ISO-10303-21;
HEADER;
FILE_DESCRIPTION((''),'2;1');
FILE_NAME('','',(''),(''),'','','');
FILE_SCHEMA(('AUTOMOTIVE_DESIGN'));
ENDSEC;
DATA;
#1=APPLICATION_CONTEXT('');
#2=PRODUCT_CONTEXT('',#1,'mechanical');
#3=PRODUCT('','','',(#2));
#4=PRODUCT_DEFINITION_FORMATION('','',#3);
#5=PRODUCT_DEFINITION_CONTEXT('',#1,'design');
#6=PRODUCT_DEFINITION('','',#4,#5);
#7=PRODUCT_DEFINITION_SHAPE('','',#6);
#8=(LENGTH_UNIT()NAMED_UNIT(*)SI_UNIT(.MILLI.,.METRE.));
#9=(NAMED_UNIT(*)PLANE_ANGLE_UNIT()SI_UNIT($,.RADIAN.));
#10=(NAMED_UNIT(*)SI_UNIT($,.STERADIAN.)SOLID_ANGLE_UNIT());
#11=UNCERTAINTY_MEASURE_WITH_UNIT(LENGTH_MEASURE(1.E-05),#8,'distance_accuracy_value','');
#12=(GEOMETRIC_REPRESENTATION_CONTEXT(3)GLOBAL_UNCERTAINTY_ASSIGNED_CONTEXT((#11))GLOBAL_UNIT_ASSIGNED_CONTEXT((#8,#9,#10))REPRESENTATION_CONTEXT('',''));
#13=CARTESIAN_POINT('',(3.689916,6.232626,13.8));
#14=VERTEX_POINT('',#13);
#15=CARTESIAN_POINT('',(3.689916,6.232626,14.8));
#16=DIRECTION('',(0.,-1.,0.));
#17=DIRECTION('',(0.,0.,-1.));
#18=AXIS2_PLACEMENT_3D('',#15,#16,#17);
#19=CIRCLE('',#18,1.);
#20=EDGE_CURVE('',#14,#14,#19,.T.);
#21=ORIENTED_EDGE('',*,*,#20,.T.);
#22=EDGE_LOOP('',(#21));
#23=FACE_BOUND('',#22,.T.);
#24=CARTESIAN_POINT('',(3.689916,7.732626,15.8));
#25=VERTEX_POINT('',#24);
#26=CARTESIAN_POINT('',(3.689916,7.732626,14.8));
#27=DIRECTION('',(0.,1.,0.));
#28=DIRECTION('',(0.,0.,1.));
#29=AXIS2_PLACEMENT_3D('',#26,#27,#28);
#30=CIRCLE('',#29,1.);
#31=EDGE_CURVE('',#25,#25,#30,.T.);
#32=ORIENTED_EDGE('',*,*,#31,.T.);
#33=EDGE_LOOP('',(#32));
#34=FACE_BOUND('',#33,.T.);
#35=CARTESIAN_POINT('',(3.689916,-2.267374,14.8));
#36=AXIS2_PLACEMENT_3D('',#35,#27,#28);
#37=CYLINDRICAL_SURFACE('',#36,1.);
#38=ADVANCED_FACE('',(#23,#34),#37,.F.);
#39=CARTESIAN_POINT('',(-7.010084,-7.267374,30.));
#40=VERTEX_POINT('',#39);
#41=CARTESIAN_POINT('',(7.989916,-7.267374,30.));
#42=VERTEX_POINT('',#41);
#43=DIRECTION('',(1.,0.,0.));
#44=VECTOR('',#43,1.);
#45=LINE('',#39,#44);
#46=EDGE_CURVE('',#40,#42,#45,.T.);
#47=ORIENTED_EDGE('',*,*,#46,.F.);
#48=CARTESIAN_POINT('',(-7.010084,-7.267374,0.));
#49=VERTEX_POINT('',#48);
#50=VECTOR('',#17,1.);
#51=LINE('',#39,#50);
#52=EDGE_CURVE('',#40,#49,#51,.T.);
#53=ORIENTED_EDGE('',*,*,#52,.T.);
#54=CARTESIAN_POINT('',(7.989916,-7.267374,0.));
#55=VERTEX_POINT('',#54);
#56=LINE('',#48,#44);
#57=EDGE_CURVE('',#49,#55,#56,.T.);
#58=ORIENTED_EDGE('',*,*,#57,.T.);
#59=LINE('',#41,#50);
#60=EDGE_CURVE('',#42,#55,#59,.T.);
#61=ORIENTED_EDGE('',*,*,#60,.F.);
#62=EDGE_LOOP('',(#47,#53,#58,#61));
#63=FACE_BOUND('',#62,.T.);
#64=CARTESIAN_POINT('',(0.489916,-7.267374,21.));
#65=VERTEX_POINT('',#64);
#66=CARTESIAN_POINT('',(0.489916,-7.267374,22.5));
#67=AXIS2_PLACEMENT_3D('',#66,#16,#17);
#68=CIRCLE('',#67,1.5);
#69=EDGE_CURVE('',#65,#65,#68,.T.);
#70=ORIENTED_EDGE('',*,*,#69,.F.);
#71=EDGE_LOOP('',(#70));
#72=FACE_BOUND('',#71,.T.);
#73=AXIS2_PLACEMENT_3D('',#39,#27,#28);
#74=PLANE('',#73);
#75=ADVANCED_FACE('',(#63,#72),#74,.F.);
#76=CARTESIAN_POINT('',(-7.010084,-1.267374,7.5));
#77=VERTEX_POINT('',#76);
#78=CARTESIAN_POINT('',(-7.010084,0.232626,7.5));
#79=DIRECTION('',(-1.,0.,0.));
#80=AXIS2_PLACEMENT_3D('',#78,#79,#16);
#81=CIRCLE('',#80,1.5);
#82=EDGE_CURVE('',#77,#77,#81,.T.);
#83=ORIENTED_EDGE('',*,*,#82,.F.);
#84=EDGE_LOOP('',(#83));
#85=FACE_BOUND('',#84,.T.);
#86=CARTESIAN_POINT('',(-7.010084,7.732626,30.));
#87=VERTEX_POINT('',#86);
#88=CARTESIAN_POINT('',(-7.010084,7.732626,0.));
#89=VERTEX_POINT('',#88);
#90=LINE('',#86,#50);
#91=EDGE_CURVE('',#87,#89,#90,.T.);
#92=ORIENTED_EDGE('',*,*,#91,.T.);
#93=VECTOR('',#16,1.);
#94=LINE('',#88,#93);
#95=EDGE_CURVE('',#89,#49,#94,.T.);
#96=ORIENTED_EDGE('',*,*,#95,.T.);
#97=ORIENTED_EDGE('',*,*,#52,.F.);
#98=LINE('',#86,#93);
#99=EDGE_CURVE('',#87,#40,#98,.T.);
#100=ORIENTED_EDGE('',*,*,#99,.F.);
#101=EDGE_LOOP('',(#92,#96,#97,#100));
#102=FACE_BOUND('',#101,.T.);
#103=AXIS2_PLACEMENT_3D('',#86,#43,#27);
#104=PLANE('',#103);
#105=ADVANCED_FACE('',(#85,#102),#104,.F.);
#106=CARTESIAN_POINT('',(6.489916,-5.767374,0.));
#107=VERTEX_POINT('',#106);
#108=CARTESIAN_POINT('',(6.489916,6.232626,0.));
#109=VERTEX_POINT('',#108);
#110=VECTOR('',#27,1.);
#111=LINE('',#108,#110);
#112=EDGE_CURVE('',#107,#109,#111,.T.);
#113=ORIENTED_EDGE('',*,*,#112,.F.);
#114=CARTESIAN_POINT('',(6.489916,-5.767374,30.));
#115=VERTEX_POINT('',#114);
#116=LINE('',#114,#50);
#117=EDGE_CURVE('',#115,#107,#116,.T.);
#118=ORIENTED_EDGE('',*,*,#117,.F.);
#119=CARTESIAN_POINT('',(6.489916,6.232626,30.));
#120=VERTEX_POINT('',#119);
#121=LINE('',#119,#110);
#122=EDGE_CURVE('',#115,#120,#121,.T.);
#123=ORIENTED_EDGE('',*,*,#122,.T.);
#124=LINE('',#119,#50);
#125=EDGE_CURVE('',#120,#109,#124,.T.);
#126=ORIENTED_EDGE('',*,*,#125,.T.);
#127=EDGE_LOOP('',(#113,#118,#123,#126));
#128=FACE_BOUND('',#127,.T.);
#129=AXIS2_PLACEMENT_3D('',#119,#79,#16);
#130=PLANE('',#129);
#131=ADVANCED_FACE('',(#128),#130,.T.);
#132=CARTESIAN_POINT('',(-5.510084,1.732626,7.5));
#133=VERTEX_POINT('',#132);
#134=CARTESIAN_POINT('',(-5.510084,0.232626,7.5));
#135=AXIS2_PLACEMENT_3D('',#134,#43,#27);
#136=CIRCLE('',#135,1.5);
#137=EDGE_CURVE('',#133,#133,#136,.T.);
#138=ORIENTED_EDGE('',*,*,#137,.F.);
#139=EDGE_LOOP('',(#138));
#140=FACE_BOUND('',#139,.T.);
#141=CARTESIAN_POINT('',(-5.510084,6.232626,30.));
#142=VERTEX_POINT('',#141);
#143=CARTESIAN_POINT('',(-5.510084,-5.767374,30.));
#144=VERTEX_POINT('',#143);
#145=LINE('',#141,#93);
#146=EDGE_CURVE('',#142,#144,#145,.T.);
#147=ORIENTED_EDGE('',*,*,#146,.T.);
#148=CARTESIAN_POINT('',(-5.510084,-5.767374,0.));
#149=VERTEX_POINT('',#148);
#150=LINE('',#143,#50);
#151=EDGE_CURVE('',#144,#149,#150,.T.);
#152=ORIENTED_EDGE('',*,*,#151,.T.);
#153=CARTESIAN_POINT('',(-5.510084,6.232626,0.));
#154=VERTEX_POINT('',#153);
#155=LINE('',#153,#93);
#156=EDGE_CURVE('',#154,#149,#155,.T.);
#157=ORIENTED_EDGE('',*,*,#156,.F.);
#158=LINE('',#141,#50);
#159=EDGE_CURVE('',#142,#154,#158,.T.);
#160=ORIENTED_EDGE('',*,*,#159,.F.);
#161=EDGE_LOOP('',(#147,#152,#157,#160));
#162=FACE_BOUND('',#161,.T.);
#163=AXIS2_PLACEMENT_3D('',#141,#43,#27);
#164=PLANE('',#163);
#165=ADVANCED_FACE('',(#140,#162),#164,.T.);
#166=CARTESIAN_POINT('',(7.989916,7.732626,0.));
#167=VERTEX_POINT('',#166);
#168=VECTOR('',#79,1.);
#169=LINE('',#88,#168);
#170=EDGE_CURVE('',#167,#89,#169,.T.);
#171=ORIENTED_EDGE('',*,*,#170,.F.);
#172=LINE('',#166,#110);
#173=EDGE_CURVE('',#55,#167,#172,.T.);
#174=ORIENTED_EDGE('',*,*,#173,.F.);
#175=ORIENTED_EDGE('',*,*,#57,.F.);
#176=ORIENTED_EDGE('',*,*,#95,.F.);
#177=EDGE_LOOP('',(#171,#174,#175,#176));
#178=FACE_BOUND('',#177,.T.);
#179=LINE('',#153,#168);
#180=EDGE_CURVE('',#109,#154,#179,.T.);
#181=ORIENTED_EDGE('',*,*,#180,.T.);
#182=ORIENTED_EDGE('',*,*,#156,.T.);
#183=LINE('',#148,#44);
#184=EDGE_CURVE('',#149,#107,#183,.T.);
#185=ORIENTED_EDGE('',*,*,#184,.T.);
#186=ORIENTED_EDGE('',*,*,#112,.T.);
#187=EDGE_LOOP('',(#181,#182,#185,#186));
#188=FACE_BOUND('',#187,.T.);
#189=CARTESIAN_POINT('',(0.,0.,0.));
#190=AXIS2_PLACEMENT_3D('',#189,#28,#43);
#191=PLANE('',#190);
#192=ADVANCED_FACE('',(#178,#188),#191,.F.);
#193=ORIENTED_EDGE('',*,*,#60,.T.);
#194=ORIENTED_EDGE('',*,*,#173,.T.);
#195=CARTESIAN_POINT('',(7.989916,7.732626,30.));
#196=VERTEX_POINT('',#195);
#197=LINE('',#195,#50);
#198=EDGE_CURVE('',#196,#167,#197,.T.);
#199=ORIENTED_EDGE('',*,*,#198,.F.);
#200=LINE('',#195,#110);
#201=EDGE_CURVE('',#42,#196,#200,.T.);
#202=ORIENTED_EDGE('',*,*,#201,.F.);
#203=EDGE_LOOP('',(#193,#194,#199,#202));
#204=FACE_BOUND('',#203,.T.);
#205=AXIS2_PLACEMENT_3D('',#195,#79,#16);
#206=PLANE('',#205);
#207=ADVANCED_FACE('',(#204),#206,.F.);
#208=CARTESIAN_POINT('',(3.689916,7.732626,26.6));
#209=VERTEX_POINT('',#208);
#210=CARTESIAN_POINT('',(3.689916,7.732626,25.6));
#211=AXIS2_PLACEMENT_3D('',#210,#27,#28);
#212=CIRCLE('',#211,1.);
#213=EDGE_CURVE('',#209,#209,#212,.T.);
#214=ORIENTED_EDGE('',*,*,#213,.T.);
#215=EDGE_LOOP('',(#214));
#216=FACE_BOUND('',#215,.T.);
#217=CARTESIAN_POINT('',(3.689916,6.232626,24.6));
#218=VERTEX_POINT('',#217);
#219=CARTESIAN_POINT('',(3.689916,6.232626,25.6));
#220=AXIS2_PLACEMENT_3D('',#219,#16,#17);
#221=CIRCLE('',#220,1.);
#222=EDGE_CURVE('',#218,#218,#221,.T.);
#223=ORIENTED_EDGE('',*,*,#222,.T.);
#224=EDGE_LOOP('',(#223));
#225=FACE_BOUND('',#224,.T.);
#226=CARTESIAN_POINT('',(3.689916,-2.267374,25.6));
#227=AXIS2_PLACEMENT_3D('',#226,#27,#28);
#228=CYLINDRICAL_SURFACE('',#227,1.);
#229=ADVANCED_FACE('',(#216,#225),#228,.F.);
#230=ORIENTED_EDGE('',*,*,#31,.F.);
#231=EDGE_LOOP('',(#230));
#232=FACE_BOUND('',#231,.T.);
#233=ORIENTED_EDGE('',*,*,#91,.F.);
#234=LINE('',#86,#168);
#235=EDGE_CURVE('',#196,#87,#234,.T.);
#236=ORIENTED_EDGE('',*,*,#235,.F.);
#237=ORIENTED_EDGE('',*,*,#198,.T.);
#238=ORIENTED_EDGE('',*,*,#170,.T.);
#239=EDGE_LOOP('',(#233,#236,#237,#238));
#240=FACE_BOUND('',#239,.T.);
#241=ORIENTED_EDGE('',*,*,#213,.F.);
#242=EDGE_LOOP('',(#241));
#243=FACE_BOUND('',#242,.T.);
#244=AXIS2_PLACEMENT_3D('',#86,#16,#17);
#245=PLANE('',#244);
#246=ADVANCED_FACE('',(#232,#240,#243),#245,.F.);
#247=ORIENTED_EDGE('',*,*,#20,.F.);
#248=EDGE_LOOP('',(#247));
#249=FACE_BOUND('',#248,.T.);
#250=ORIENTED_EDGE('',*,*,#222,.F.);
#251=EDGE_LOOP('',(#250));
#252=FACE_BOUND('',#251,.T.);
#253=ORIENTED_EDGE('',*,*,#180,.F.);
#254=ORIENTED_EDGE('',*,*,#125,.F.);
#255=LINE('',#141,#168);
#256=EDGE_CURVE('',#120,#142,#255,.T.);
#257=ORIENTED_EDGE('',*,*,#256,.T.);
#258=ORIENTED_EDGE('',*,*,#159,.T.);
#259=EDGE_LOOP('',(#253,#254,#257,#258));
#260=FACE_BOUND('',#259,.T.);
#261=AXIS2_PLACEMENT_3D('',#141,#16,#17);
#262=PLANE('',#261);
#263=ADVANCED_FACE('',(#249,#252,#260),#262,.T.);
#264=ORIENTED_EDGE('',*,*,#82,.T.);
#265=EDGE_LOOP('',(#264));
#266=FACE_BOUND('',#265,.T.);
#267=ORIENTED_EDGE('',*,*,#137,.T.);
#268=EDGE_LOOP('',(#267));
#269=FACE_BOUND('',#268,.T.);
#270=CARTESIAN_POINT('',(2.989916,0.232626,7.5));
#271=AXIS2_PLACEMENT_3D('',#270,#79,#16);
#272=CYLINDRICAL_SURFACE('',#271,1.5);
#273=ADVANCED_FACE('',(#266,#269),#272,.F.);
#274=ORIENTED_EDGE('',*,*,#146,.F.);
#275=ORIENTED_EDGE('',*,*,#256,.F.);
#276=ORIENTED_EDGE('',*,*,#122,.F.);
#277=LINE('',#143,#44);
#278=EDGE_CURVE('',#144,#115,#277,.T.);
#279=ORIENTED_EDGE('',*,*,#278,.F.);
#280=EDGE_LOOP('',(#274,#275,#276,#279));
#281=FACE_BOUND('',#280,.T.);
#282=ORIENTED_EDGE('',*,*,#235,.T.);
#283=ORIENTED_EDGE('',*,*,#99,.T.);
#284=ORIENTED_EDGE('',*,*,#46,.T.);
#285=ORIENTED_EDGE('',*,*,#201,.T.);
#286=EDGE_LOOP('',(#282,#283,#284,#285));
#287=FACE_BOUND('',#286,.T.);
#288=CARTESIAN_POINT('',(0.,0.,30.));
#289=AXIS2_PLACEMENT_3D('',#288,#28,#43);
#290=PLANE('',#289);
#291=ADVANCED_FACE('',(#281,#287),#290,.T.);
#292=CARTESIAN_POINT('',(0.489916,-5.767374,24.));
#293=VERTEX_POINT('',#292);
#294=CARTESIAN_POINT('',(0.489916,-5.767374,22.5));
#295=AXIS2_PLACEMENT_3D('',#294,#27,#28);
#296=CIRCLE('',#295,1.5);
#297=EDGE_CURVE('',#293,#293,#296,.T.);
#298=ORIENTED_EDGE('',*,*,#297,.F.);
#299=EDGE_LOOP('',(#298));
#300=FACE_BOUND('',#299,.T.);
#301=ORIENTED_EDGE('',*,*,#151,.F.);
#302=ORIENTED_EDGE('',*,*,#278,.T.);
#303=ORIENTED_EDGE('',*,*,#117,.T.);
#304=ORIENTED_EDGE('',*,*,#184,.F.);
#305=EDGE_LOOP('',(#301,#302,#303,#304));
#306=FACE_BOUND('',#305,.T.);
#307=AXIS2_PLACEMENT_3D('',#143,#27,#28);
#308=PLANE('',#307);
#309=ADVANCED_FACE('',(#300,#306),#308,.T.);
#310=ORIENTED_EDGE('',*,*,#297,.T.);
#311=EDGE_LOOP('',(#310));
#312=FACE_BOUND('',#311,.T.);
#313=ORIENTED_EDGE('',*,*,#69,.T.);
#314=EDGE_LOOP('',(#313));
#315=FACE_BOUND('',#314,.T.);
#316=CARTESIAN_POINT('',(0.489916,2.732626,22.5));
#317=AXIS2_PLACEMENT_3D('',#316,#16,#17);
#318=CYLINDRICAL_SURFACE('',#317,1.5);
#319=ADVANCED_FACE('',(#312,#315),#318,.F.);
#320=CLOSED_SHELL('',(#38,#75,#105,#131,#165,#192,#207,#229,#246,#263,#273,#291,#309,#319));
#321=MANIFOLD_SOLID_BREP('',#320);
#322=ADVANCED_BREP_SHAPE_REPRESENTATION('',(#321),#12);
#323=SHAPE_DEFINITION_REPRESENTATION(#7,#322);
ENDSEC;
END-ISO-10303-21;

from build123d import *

# Parameters (mm, degrees)
SKETCH_1_W          = 15
SKETCH_1_H          = 15
SKETCH_1_W_2        = 12
SKETCH_1_H_2        = 12
EXTRUDE_2_DEPTH     = 30
SKETCH_2_R          = 1
CUT_EXTRUDE_1_DEPTH = 10
SKETCH_3_R          = 1.5
CUT_EXTRUDE_2_DEPTH = 10
SKETCH_5_R          = 1.5
CUT_EXTRUDE_4_DEPTH = 10


with BuildPart() as part:
    # ｽｹｯﾁ1 → ﾎﾞｽ - 押し出し2 (new body)
    with BuildSketch(Plane.XY):
        with Locations((0.489915859, 0.232626086)):
            Rectangle(SKETCH_1_W, SKETCH_1_H)
        with Locations((0.489915859, 0.232626086)):
            Rectangle(SKETCH_1_W_2, SKETCH_1_H_2, mode=Mode.SUBTRACT)
    extrude(amount=EXTRUDE_2_DEPTH)

    # ｽｹｯﾁ2 → ｶｯﾄ - 押し出し1 (cut)
    with BuildSketch(Plane(origin=(0, 7.732626086, 0), x_dir=(1, 0, 0), z_dir=(0, 1, 0))):
        with Locations((3.689915859, -25.6)):
            Circle(SKETCH_2_R)
        with Locations((3.689915859, -14.8)):
            Circle(SKETCH_2_R)
    extrude(amount=-CUT_EXTRUDE_1_DEPTH, mode=Mode.SUBTRACT)

    # ｽｹｯﾁ3 → ｶｯﾄ - 押し出し2 (cut)
    with BuildSketch(Plane.ZY.offset(7.010084141)):
        with Locations((7.5, 0.232626086)):
            Circle(SKETCH_3_R)
    extrude(amount=-CUT_EXTRUDE_2_DEPTH, mode=Mode.SUBTRACT)

    # ｽｹｯﾁ5 → ｶｯﾄ - 押し出し4 (cut)
    with BuildSketch(Plane.XZ.offset(7.267373914)):
        with Locations((0.489915859, 22.5)):
            Circle(SKETCH_5_R)
    extrude(amount=-CUT_EXTRUDE_4_DEPTH, mode=Mode.SUBTRACT)


solid = part.part
